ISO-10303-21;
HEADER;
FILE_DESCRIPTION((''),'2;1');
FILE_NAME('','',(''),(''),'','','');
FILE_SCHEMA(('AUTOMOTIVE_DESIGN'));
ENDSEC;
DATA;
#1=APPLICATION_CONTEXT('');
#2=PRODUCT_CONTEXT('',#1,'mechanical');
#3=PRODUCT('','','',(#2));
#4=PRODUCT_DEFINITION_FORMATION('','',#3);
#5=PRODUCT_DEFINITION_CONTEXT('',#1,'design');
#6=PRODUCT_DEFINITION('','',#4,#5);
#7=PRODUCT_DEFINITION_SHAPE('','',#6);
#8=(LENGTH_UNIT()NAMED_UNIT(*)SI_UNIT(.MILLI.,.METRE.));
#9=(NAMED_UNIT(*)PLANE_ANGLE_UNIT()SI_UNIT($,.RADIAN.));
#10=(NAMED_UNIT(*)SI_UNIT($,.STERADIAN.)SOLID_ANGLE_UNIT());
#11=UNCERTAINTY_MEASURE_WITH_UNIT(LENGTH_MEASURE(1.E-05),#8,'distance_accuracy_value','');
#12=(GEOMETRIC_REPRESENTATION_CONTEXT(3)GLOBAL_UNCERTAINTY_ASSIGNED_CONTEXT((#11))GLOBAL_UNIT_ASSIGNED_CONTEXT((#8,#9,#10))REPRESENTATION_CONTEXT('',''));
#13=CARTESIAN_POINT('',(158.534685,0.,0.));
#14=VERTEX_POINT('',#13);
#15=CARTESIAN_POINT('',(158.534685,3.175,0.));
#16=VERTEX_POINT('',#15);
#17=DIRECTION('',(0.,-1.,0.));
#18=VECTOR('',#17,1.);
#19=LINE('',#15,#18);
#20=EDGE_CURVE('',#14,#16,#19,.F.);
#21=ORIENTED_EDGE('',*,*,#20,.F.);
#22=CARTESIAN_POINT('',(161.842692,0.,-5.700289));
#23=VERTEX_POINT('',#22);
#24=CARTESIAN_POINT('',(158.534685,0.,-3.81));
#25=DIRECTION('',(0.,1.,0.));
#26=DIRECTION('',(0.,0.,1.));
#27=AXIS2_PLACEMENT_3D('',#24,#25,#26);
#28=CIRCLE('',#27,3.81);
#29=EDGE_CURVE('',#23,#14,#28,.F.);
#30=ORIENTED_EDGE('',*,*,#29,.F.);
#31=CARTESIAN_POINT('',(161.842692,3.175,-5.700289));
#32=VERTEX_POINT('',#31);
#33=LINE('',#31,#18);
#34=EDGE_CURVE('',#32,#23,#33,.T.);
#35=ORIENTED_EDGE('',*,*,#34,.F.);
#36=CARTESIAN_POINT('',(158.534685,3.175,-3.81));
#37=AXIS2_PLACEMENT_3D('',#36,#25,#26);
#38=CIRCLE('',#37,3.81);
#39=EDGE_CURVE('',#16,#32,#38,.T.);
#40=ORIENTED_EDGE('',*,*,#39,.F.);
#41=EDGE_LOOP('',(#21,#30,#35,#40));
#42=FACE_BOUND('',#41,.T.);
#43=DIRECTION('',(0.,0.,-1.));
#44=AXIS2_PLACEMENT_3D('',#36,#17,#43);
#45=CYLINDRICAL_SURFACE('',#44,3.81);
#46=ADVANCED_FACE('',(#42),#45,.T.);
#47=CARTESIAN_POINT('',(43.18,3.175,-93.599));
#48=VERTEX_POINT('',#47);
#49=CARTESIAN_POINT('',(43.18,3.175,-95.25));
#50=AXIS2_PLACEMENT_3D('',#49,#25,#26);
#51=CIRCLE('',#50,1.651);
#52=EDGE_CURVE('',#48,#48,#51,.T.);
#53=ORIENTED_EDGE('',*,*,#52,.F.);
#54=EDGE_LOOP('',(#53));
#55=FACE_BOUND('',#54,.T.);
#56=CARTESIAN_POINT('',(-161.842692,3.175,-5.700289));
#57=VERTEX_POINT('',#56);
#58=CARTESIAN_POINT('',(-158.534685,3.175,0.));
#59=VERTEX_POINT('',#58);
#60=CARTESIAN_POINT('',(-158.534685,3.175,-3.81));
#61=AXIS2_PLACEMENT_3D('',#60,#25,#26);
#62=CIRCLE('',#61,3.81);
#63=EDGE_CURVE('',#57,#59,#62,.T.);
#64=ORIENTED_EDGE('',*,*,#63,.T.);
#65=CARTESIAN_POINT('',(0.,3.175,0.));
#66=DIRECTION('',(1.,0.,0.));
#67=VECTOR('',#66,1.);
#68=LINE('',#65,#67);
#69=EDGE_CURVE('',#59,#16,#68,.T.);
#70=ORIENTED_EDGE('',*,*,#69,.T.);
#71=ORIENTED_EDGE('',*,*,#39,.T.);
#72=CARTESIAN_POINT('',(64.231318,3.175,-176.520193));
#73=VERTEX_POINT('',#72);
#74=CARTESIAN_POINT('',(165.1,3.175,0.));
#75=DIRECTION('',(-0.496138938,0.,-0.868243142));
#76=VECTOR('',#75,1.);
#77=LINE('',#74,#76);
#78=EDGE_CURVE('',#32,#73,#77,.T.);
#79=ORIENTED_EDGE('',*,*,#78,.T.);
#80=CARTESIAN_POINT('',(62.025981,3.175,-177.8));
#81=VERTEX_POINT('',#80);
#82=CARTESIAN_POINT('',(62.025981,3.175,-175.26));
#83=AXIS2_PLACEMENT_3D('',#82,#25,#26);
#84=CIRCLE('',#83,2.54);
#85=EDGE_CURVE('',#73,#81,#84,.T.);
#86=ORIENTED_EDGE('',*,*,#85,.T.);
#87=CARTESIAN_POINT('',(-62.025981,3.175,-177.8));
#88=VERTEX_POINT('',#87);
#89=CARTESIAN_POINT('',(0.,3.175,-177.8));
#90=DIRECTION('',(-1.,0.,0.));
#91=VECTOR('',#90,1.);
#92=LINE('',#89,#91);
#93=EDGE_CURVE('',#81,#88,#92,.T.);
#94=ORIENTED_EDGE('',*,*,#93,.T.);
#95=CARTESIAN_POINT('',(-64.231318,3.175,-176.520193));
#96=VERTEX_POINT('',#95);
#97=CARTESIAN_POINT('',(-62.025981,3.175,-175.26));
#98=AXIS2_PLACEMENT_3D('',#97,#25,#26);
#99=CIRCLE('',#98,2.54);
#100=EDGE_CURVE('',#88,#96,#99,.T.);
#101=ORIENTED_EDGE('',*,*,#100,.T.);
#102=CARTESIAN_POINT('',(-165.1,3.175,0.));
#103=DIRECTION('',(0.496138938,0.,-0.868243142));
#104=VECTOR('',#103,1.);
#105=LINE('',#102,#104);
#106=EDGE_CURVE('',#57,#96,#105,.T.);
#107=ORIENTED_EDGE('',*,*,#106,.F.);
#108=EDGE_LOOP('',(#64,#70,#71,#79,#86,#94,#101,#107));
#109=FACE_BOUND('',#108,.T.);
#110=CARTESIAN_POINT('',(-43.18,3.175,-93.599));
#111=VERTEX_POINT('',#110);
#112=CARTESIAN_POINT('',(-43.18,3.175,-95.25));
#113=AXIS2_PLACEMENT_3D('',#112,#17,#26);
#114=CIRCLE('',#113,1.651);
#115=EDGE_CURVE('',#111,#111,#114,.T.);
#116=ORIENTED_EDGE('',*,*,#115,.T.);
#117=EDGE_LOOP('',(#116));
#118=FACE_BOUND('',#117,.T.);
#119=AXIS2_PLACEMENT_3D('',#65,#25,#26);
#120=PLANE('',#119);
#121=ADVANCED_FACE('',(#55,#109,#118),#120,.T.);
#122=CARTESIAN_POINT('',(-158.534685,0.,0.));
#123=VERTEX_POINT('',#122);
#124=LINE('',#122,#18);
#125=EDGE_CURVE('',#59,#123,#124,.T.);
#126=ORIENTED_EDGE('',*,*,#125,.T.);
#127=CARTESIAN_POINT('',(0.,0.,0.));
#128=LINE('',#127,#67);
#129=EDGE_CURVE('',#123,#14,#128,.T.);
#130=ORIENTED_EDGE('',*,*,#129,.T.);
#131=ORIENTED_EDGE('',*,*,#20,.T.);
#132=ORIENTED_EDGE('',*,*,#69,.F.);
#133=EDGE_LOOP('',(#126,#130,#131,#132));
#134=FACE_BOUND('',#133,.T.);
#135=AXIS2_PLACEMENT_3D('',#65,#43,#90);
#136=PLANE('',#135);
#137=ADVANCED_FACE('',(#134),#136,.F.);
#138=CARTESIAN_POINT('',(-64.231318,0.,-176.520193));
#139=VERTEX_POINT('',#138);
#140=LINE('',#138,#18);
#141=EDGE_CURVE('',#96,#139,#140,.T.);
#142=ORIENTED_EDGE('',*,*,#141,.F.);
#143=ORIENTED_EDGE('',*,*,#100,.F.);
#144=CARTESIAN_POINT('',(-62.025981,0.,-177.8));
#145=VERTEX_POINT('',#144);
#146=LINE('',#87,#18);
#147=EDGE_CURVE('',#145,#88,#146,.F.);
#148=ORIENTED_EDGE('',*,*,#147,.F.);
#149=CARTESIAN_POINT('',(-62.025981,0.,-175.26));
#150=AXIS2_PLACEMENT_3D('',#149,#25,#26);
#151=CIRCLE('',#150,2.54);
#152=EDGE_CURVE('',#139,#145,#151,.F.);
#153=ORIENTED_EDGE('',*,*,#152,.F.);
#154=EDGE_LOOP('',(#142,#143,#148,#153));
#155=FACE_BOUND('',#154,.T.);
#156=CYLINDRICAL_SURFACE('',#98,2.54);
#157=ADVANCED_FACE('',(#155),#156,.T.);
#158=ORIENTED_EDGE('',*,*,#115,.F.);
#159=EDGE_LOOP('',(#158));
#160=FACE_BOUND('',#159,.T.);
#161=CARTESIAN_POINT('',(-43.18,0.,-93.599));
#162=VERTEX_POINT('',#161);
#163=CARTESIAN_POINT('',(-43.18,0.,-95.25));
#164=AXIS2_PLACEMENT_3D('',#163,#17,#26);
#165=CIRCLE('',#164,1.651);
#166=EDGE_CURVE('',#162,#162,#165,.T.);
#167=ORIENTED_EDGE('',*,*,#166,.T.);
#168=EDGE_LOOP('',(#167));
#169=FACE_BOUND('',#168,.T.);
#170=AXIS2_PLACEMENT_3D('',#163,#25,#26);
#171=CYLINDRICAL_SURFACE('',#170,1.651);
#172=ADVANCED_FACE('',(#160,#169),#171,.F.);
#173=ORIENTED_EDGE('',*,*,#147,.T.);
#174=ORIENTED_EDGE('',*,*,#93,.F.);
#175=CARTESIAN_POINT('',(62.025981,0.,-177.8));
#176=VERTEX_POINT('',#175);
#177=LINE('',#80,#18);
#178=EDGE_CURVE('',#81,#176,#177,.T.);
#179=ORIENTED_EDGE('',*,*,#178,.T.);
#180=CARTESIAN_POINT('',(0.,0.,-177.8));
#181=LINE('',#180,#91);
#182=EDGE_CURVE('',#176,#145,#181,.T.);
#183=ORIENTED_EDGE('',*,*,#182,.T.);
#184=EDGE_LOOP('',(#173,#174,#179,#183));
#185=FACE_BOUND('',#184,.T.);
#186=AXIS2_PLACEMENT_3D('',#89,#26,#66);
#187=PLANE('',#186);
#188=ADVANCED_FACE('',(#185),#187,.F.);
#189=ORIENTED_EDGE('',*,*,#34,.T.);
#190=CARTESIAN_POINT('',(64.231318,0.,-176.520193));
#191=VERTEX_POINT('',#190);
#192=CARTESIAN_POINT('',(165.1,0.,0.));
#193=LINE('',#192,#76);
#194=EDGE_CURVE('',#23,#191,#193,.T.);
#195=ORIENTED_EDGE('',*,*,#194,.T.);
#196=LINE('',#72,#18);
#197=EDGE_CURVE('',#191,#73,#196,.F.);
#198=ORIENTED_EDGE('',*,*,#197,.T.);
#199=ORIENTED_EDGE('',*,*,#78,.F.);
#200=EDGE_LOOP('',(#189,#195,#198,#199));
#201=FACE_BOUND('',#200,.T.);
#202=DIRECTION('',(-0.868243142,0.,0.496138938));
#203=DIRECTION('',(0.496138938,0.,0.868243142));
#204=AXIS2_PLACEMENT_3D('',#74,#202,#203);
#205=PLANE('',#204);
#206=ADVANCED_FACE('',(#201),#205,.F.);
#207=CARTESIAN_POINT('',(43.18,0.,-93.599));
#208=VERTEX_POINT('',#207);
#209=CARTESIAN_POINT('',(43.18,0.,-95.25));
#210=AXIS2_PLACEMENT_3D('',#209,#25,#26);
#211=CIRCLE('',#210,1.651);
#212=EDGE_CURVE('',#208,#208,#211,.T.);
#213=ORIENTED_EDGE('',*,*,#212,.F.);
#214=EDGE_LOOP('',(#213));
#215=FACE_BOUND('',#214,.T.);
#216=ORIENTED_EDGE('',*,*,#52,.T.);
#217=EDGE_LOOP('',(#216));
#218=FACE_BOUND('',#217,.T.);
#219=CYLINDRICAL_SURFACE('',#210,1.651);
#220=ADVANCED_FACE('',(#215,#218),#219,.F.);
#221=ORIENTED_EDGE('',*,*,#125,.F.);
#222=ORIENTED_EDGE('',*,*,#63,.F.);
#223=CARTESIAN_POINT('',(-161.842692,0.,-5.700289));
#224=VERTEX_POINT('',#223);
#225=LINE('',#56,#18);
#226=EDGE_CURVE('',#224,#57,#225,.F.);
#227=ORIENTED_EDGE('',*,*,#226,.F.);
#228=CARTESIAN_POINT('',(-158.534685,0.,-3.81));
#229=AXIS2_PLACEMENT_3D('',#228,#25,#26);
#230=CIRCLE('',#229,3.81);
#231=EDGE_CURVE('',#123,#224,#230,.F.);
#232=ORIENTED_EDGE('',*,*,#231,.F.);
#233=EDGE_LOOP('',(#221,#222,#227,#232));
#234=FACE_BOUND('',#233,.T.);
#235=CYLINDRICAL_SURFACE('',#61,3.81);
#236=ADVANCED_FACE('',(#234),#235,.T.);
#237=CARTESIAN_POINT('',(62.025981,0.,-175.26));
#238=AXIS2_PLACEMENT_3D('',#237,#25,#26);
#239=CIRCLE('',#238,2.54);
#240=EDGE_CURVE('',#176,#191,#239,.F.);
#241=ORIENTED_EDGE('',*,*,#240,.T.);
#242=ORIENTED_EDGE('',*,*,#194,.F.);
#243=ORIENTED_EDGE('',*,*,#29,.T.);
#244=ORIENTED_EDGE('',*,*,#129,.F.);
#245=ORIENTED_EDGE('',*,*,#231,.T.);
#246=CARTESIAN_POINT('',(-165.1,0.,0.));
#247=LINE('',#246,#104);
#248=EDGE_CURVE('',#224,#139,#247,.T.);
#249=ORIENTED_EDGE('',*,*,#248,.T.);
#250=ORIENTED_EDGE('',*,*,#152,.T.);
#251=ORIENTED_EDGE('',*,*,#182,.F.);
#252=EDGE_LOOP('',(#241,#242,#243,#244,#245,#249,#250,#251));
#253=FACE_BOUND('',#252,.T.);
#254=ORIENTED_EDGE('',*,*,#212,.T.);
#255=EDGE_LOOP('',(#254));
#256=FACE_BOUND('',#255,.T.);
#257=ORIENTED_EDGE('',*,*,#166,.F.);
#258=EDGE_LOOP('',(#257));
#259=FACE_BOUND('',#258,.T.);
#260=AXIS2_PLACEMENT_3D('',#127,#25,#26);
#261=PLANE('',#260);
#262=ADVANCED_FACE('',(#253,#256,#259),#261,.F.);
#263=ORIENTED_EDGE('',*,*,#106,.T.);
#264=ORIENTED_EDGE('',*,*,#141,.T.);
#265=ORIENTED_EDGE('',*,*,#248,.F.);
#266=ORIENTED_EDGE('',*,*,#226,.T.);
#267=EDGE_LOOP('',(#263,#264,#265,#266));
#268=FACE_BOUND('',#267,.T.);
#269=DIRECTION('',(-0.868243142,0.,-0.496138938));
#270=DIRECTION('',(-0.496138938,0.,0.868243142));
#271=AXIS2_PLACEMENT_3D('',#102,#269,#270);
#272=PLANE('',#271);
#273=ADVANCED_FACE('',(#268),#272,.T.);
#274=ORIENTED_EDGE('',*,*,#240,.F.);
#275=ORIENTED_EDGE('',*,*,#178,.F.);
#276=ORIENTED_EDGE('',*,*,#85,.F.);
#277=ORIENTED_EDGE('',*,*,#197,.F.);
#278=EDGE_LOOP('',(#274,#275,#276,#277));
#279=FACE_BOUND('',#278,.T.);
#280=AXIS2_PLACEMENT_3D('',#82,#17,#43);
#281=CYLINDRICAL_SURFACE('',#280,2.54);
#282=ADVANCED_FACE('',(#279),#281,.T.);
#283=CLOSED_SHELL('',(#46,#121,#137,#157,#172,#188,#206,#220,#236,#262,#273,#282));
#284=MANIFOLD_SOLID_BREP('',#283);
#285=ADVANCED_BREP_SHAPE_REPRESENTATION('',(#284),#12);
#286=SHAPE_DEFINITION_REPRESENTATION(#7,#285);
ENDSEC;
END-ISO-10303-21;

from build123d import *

# Parameters (mm, degrees)
BOSS_EXTRUDE1_DEPTH = 3.175
FILLET1_R           = 3.81
FILLET2_R           = 2.54
SKETCH2_R           = 1.651
CUT_EXTRUDE1_DEPTH  = 4.175


with BuildPart() as part:
    # Sketch1 → Boss-Extrude1 (new body)
    with BuildSketch(Plane(origin=(0, 0, 0), x_dir=(1, 0, 0), z_dir=(0, 1, 0))):
        Polygon((0, 0), (165.1, 0), (63.5, 177.8), (0, 177.8), align=None)
    boss_extrude1 = extrude(amount=BOSS_EXTRUDE1_DEPTH)

    # Mirror1: Boss-Extrude1 across plane
    add(boss_extrude1.mirror(Plane(origin=(0, 0, 0), x_dir=(0, 0, 1), z_dir=(1, 0, 0))))

    # Fillet1
    fillet1_edges = [part.edges().sort_by_distance(p)[0] for p in [
        (-165.1, 1.5875, 0),
        (165.1, 1.5875, 0),
    ]]
    fillet(fillet1_edges, radius=FILLET1_R)

    # Fillet2
    fillet2_edges = [part.edges().sort_by_distance(p)[0] for p in [
        (-63.5, 1.5875, -177.8),
        (63.5, 1.5875, -177.8),
    ]]
    fillet(fillet2_edges, radius=FILLET2_R)

    # Sketch2 → Cut-Extrude1 (cut, through all)
    with BuildSketch(Plane(origin=(0, 3.175, 0), x_dir=(1, 0, 0), z_dir=(0, 1, 0))):
        with Locations((43.18, 95.25)):
            Circle(SKETCH2_R)
    cut_extrude1 = extrude(amount=-CUT_EXTRUDE1_DEPTH, mode=Mode.SUBTRACT)

    # Mirror2: Cut-Extrude1 across plane
    add(cut_extrude1.mirror(Plane(origin=(0, 0, 0), x_dir=(0, 0, 1), z_dir=(1, 0, 0))), mode=Mode.SUBTRACT)


solid = part.part
